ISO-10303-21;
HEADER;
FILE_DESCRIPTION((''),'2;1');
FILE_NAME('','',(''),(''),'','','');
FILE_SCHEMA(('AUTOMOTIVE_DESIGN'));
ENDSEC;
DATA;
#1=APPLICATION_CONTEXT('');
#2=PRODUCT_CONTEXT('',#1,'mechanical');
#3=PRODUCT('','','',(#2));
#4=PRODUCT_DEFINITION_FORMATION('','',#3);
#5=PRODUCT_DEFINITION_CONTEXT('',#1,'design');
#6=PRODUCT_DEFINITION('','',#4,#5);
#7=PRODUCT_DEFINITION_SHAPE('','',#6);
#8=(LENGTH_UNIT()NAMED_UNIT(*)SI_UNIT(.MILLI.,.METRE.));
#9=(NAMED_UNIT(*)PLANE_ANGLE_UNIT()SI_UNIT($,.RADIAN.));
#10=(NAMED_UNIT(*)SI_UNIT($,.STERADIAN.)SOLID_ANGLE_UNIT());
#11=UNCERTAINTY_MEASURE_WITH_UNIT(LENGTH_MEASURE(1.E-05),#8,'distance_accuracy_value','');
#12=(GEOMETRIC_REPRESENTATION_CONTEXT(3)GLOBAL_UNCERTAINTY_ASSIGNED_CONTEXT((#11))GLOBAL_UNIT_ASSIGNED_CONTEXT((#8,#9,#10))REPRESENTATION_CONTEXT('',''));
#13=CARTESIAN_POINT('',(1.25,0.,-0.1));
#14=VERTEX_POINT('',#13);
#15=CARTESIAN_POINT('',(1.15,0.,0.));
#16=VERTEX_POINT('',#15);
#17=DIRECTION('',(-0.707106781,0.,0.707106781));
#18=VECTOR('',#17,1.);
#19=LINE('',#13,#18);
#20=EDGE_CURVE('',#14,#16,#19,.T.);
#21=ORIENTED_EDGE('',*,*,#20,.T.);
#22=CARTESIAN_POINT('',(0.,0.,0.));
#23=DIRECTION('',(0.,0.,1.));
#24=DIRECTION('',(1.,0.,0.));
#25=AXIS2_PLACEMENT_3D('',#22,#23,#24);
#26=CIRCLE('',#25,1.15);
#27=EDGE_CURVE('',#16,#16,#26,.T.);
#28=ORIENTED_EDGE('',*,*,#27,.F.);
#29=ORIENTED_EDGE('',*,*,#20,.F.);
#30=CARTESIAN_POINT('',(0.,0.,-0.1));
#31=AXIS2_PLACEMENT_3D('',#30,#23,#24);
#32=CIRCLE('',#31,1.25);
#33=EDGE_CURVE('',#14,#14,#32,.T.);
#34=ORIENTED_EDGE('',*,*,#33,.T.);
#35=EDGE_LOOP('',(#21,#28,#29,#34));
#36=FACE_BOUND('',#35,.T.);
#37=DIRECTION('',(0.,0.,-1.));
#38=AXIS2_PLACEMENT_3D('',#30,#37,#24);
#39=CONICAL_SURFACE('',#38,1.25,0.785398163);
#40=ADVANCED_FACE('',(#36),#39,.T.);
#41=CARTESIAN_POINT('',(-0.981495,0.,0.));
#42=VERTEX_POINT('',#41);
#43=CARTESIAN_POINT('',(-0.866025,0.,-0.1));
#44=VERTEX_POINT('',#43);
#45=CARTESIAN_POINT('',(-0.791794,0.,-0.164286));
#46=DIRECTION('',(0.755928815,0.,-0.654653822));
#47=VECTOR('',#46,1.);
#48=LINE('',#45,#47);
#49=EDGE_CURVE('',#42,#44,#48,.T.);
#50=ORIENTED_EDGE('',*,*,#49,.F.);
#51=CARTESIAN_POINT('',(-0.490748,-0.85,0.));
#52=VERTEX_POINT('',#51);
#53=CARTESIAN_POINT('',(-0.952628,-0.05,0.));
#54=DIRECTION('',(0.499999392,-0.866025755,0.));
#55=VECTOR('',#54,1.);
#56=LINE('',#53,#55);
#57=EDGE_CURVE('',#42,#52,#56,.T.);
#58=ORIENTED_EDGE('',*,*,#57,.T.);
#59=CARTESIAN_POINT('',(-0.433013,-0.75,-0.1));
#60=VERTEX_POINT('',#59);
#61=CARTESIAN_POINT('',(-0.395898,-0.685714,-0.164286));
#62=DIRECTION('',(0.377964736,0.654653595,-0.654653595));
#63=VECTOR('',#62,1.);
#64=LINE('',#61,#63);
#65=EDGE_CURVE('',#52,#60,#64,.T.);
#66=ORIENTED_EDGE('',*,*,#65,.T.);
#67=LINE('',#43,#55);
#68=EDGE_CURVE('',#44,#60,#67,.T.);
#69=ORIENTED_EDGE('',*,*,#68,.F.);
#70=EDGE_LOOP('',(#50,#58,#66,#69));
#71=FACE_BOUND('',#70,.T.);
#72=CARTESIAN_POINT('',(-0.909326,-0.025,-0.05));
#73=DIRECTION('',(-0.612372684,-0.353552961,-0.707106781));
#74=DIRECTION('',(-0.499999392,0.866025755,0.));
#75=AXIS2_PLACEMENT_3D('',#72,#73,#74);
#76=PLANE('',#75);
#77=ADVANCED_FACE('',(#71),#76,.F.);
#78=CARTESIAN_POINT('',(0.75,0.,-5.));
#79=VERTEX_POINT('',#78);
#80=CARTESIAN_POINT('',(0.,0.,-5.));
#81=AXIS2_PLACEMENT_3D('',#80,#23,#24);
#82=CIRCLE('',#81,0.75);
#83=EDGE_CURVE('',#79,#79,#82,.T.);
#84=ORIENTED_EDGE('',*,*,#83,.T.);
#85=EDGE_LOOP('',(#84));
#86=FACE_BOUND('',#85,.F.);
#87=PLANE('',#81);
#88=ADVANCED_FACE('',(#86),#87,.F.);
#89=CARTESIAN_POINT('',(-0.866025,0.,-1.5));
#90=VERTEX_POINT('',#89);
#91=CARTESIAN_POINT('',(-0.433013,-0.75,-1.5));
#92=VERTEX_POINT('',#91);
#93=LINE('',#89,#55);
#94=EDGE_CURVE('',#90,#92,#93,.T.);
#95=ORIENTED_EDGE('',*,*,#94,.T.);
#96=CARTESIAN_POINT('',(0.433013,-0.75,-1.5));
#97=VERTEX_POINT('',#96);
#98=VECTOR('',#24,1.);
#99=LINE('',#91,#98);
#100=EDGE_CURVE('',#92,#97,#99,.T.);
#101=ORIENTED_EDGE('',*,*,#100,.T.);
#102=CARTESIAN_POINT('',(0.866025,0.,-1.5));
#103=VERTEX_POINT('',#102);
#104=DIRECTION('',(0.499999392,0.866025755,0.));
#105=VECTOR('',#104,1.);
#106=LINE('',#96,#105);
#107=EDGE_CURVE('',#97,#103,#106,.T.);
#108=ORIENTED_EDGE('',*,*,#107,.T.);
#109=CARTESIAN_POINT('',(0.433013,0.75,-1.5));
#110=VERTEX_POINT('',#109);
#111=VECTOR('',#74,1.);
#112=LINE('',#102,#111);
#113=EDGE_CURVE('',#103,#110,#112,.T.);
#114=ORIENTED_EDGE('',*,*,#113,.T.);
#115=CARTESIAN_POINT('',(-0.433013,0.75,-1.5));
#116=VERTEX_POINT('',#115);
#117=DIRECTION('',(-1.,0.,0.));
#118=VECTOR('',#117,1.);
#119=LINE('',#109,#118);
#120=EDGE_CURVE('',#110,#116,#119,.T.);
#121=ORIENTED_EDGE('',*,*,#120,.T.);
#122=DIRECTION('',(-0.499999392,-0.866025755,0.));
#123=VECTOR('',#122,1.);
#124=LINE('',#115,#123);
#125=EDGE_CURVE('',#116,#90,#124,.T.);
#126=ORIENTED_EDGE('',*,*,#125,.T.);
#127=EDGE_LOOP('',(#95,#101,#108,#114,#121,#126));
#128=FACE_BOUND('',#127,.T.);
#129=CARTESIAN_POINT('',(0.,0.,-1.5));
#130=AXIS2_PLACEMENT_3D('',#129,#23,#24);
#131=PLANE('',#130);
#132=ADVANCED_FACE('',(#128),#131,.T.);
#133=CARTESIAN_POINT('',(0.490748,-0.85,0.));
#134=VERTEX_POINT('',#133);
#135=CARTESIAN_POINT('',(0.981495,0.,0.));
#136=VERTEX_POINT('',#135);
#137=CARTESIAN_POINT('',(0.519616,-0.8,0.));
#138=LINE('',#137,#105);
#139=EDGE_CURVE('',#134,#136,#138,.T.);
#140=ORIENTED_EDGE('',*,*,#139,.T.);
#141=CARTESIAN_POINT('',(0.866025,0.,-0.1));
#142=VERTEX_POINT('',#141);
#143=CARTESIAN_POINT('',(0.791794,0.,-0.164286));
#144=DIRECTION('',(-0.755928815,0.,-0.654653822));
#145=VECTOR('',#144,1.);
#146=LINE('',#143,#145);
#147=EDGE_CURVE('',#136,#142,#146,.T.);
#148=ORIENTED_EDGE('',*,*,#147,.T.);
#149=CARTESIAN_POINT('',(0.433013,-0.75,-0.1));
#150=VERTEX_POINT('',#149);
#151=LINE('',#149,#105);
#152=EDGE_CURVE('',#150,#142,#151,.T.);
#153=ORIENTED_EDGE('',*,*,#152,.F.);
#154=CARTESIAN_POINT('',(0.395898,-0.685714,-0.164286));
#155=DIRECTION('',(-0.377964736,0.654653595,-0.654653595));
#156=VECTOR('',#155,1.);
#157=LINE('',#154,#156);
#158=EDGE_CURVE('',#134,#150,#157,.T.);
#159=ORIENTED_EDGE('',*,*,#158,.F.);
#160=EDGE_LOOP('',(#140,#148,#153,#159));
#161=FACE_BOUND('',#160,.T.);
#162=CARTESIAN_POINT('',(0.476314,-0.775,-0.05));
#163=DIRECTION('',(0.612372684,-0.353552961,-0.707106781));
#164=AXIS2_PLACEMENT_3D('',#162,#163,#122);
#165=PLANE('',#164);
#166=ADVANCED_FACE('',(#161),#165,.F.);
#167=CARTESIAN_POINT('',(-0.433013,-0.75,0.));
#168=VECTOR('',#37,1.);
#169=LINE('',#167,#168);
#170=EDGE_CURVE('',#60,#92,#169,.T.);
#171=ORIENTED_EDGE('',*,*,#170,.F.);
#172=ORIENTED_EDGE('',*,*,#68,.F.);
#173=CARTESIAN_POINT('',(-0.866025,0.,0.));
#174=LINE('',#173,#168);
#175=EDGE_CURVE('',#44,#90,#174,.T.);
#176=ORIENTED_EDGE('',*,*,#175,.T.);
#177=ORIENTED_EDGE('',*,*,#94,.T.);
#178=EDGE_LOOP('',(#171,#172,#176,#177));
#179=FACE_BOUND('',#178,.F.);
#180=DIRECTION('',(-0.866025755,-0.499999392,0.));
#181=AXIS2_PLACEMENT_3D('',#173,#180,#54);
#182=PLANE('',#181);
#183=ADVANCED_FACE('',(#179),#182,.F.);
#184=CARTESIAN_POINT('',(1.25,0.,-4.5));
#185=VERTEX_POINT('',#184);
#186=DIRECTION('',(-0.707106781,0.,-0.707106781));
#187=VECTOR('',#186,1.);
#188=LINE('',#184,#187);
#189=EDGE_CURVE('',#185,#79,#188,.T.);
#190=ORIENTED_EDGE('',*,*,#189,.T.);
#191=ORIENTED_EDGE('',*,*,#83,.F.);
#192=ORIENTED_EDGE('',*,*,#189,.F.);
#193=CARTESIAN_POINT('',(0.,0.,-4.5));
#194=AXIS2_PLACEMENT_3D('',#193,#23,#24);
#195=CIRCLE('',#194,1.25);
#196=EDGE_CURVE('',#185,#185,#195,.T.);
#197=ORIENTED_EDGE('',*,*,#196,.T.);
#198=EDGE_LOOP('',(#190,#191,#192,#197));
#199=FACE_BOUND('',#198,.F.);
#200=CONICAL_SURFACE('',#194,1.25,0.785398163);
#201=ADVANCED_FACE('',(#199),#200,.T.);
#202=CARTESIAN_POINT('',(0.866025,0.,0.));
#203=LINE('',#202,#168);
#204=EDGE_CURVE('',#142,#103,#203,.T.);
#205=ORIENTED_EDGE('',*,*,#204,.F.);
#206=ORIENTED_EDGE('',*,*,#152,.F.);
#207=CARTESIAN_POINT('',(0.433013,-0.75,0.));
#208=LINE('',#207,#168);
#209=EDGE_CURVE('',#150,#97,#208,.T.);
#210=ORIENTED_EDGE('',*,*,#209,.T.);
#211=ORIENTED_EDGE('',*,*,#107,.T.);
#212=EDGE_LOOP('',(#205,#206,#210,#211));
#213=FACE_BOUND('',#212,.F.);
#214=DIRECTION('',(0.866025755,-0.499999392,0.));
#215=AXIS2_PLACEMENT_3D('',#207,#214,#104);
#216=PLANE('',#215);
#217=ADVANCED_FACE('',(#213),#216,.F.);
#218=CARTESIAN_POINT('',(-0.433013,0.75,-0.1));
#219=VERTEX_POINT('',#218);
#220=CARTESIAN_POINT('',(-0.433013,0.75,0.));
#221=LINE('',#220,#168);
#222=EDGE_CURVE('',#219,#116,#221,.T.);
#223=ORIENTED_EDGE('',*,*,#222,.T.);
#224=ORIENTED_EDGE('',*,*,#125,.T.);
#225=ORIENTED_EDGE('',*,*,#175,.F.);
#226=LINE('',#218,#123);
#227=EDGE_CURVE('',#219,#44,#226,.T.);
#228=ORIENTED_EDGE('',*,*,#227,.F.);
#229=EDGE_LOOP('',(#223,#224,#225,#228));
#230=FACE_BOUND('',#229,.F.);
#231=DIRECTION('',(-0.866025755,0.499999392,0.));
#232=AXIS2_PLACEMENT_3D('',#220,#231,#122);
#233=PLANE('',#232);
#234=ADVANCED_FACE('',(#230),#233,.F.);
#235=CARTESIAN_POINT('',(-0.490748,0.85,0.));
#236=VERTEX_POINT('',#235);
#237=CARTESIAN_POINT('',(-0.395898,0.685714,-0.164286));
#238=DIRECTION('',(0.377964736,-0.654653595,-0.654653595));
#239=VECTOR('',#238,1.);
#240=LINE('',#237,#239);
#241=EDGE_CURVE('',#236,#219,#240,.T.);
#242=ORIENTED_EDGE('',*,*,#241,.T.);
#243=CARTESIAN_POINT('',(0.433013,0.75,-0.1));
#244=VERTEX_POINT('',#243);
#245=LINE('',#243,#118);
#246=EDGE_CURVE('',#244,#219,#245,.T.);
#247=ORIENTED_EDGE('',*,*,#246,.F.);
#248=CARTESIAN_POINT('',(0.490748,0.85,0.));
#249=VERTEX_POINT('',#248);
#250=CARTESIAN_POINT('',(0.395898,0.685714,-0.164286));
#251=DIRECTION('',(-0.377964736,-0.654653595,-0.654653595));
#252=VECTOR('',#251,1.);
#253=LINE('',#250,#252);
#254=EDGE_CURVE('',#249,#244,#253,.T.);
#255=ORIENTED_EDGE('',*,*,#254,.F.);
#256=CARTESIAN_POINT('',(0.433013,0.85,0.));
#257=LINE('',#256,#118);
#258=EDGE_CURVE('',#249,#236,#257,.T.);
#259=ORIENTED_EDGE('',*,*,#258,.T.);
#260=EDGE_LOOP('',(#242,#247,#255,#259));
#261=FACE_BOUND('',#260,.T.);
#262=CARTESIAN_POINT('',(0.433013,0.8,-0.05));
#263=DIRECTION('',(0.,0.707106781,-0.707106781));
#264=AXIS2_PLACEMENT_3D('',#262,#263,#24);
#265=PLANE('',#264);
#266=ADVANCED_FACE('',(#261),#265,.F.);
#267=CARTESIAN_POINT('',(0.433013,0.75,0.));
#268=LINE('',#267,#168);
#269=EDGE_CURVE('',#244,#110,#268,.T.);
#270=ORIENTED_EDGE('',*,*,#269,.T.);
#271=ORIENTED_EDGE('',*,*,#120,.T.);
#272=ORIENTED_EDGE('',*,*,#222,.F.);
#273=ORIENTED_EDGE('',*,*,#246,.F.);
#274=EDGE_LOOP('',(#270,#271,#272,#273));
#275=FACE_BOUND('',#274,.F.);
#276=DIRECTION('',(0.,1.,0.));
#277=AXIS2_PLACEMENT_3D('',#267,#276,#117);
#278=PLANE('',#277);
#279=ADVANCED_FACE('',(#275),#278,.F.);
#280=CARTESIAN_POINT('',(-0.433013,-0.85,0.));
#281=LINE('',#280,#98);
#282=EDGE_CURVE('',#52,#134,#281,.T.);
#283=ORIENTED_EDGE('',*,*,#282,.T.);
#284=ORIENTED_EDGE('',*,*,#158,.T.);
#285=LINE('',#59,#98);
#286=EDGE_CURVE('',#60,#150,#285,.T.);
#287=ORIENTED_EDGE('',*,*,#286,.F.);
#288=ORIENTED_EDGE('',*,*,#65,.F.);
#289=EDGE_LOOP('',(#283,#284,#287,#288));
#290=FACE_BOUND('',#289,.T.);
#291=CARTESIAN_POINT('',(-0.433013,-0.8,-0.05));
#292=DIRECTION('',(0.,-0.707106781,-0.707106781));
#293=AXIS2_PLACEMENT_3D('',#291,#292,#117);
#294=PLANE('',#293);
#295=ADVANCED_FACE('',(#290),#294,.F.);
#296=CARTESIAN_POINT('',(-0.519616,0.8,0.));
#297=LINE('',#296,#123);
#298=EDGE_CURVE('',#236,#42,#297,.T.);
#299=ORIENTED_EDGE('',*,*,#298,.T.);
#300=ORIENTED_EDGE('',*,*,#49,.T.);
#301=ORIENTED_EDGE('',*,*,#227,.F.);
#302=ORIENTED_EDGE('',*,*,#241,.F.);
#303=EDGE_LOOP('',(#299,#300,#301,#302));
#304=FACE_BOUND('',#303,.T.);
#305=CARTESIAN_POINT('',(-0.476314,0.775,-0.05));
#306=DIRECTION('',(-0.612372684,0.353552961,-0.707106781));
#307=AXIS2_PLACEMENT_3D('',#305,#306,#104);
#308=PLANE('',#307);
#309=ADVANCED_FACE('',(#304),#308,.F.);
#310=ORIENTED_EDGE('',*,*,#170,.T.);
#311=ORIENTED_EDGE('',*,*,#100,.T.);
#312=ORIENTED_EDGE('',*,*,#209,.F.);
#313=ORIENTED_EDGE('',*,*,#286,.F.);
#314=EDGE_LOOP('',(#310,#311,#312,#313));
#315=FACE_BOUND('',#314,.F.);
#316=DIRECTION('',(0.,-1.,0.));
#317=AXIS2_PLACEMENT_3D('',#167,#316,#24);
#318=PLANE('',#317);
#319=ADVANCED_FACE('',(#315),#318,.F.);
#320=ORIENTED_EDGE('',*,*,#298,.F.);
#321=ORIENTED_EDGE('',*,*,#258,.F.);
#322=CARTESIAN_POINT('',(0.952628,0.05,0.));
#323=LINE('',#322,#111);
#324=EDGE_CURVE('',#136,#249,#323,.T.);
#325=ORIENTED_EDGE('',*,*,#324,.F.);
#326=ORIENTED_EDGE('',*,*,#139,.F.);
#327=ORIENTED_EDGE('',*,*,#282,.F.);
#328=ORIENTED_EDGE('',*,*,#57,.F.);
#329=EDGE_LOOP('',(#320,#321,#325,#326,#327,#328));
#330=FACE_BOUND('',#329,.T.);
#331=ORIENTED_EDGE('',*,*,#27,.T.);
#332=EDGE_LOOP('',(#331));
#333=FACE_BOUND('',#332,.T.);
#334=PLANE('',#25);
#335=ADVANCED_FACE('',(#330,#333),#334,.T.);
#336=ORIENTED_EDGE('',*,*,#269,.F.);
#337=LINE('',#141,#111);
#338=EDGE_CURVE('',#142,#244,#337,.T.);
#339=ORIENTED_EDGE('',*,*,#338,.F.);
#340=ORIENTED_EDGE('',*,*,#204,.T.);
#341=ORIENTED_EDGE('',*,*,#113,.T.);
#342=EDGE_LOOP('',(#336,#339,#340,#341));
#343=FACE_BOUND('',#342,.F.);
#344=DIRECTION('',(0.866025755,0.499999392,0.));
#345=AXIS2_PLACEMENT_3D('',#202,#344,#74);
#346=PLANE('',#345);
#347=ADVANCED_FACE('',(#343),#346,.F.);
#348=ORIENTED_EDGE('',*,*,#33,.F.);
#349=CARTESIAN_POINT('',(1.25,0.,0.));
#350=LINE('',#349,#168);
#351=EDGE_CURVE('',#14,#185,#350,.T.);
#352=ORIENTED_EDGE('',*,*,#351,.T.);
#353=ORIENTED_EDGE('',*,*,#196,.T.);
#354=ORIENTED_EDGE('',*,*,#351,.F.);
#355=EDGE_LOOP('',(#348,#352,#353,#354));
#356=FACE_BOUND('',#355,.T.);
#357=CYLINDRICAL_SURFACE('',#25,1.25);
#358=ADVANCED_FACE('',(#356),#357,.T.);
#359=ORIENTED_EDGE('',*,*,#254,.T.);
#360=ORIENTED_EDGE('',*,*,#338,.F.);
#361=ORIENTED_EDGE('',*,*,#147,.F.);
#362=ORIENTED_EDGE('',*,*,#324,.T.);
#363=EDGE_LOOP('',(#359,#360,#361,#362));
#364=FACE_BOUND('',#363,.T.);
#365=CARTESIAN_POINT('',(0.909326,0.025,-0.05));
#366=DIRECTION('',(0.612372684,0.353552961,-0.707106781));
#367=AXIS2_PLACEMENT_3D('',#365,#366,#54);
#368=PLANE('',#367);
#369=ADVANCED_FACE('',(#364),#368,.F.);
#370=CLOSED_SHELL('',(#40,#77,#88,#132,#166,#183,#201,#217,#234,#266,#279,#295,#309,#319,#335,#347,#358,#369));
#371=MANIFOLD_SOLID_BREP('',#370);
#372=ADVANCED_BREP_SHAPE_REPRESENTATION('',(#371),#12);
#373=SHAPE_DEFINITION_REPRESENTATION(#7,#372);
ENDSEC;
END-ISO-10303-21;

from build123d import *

# Parameters (mm, degrees)
F0_R     = 1.25
F1_DEPTH = 5
F2_DEPTH = 1.5
F3_SIZE  = 0.1
F4_SIZE  = 0.5


with BuildPart() as f1:
    # F0 (on Top) → F1 (new body)
    with BuildSketch(Plane.XY):
        Circle(F0_R)
        Polygon((-0.866025, 0), (-0.433013, 0.75), (0.433013, 0.75), (0.866025, 0), (0.433013, -0.75), (-0.433013, -0.75), align=None, mode=Mode.SUBTRACT)
        Polygon((0.433013, 0.75), (-0.433013, 0.75), (-0.866025, 0), (-0.433013, -0.75), (0.433013, -0.75), (0.866025, 0), align=None)
    extrude(amount=-F1_DEPTH)

    # F0 (on Top) → F2 (cut)
    with BuildSketch(Plane.XY):
        Polygon((0.433013, 0.75), (-0.433013, 0.75), (-0.866025, 0), (-0.433013, -0.75), (0.433013, -0.75), (0.866025, 0), align=None)
    extrude(amount=-F2_DEPTH, mode=Mode.SUBTRACT)

    # F3
    f3_edges = [f1.edges().sort_by_distance(p)[0] for p in [
        (-1.25, 0, 0),
        (0, 0.75, 0),
        (-0.649519, 0.375, 0),
        (-0.649519, -0.375, 0),
        (0, -0.75, 0),
        (0.649519, -0.375, 0),
        (0.649519, 0.375, 0),
    ]]
    chamfer(f3_edges, length=F3_SIZE)

    # F4
    f4_edges = [f1.edges().sort_by_distance(p)[0] for p in [
        (-1.25, 0, -5),
    ]]
    chamfer(f4_edges, length=F4_SIZE)


solid = f1.part
